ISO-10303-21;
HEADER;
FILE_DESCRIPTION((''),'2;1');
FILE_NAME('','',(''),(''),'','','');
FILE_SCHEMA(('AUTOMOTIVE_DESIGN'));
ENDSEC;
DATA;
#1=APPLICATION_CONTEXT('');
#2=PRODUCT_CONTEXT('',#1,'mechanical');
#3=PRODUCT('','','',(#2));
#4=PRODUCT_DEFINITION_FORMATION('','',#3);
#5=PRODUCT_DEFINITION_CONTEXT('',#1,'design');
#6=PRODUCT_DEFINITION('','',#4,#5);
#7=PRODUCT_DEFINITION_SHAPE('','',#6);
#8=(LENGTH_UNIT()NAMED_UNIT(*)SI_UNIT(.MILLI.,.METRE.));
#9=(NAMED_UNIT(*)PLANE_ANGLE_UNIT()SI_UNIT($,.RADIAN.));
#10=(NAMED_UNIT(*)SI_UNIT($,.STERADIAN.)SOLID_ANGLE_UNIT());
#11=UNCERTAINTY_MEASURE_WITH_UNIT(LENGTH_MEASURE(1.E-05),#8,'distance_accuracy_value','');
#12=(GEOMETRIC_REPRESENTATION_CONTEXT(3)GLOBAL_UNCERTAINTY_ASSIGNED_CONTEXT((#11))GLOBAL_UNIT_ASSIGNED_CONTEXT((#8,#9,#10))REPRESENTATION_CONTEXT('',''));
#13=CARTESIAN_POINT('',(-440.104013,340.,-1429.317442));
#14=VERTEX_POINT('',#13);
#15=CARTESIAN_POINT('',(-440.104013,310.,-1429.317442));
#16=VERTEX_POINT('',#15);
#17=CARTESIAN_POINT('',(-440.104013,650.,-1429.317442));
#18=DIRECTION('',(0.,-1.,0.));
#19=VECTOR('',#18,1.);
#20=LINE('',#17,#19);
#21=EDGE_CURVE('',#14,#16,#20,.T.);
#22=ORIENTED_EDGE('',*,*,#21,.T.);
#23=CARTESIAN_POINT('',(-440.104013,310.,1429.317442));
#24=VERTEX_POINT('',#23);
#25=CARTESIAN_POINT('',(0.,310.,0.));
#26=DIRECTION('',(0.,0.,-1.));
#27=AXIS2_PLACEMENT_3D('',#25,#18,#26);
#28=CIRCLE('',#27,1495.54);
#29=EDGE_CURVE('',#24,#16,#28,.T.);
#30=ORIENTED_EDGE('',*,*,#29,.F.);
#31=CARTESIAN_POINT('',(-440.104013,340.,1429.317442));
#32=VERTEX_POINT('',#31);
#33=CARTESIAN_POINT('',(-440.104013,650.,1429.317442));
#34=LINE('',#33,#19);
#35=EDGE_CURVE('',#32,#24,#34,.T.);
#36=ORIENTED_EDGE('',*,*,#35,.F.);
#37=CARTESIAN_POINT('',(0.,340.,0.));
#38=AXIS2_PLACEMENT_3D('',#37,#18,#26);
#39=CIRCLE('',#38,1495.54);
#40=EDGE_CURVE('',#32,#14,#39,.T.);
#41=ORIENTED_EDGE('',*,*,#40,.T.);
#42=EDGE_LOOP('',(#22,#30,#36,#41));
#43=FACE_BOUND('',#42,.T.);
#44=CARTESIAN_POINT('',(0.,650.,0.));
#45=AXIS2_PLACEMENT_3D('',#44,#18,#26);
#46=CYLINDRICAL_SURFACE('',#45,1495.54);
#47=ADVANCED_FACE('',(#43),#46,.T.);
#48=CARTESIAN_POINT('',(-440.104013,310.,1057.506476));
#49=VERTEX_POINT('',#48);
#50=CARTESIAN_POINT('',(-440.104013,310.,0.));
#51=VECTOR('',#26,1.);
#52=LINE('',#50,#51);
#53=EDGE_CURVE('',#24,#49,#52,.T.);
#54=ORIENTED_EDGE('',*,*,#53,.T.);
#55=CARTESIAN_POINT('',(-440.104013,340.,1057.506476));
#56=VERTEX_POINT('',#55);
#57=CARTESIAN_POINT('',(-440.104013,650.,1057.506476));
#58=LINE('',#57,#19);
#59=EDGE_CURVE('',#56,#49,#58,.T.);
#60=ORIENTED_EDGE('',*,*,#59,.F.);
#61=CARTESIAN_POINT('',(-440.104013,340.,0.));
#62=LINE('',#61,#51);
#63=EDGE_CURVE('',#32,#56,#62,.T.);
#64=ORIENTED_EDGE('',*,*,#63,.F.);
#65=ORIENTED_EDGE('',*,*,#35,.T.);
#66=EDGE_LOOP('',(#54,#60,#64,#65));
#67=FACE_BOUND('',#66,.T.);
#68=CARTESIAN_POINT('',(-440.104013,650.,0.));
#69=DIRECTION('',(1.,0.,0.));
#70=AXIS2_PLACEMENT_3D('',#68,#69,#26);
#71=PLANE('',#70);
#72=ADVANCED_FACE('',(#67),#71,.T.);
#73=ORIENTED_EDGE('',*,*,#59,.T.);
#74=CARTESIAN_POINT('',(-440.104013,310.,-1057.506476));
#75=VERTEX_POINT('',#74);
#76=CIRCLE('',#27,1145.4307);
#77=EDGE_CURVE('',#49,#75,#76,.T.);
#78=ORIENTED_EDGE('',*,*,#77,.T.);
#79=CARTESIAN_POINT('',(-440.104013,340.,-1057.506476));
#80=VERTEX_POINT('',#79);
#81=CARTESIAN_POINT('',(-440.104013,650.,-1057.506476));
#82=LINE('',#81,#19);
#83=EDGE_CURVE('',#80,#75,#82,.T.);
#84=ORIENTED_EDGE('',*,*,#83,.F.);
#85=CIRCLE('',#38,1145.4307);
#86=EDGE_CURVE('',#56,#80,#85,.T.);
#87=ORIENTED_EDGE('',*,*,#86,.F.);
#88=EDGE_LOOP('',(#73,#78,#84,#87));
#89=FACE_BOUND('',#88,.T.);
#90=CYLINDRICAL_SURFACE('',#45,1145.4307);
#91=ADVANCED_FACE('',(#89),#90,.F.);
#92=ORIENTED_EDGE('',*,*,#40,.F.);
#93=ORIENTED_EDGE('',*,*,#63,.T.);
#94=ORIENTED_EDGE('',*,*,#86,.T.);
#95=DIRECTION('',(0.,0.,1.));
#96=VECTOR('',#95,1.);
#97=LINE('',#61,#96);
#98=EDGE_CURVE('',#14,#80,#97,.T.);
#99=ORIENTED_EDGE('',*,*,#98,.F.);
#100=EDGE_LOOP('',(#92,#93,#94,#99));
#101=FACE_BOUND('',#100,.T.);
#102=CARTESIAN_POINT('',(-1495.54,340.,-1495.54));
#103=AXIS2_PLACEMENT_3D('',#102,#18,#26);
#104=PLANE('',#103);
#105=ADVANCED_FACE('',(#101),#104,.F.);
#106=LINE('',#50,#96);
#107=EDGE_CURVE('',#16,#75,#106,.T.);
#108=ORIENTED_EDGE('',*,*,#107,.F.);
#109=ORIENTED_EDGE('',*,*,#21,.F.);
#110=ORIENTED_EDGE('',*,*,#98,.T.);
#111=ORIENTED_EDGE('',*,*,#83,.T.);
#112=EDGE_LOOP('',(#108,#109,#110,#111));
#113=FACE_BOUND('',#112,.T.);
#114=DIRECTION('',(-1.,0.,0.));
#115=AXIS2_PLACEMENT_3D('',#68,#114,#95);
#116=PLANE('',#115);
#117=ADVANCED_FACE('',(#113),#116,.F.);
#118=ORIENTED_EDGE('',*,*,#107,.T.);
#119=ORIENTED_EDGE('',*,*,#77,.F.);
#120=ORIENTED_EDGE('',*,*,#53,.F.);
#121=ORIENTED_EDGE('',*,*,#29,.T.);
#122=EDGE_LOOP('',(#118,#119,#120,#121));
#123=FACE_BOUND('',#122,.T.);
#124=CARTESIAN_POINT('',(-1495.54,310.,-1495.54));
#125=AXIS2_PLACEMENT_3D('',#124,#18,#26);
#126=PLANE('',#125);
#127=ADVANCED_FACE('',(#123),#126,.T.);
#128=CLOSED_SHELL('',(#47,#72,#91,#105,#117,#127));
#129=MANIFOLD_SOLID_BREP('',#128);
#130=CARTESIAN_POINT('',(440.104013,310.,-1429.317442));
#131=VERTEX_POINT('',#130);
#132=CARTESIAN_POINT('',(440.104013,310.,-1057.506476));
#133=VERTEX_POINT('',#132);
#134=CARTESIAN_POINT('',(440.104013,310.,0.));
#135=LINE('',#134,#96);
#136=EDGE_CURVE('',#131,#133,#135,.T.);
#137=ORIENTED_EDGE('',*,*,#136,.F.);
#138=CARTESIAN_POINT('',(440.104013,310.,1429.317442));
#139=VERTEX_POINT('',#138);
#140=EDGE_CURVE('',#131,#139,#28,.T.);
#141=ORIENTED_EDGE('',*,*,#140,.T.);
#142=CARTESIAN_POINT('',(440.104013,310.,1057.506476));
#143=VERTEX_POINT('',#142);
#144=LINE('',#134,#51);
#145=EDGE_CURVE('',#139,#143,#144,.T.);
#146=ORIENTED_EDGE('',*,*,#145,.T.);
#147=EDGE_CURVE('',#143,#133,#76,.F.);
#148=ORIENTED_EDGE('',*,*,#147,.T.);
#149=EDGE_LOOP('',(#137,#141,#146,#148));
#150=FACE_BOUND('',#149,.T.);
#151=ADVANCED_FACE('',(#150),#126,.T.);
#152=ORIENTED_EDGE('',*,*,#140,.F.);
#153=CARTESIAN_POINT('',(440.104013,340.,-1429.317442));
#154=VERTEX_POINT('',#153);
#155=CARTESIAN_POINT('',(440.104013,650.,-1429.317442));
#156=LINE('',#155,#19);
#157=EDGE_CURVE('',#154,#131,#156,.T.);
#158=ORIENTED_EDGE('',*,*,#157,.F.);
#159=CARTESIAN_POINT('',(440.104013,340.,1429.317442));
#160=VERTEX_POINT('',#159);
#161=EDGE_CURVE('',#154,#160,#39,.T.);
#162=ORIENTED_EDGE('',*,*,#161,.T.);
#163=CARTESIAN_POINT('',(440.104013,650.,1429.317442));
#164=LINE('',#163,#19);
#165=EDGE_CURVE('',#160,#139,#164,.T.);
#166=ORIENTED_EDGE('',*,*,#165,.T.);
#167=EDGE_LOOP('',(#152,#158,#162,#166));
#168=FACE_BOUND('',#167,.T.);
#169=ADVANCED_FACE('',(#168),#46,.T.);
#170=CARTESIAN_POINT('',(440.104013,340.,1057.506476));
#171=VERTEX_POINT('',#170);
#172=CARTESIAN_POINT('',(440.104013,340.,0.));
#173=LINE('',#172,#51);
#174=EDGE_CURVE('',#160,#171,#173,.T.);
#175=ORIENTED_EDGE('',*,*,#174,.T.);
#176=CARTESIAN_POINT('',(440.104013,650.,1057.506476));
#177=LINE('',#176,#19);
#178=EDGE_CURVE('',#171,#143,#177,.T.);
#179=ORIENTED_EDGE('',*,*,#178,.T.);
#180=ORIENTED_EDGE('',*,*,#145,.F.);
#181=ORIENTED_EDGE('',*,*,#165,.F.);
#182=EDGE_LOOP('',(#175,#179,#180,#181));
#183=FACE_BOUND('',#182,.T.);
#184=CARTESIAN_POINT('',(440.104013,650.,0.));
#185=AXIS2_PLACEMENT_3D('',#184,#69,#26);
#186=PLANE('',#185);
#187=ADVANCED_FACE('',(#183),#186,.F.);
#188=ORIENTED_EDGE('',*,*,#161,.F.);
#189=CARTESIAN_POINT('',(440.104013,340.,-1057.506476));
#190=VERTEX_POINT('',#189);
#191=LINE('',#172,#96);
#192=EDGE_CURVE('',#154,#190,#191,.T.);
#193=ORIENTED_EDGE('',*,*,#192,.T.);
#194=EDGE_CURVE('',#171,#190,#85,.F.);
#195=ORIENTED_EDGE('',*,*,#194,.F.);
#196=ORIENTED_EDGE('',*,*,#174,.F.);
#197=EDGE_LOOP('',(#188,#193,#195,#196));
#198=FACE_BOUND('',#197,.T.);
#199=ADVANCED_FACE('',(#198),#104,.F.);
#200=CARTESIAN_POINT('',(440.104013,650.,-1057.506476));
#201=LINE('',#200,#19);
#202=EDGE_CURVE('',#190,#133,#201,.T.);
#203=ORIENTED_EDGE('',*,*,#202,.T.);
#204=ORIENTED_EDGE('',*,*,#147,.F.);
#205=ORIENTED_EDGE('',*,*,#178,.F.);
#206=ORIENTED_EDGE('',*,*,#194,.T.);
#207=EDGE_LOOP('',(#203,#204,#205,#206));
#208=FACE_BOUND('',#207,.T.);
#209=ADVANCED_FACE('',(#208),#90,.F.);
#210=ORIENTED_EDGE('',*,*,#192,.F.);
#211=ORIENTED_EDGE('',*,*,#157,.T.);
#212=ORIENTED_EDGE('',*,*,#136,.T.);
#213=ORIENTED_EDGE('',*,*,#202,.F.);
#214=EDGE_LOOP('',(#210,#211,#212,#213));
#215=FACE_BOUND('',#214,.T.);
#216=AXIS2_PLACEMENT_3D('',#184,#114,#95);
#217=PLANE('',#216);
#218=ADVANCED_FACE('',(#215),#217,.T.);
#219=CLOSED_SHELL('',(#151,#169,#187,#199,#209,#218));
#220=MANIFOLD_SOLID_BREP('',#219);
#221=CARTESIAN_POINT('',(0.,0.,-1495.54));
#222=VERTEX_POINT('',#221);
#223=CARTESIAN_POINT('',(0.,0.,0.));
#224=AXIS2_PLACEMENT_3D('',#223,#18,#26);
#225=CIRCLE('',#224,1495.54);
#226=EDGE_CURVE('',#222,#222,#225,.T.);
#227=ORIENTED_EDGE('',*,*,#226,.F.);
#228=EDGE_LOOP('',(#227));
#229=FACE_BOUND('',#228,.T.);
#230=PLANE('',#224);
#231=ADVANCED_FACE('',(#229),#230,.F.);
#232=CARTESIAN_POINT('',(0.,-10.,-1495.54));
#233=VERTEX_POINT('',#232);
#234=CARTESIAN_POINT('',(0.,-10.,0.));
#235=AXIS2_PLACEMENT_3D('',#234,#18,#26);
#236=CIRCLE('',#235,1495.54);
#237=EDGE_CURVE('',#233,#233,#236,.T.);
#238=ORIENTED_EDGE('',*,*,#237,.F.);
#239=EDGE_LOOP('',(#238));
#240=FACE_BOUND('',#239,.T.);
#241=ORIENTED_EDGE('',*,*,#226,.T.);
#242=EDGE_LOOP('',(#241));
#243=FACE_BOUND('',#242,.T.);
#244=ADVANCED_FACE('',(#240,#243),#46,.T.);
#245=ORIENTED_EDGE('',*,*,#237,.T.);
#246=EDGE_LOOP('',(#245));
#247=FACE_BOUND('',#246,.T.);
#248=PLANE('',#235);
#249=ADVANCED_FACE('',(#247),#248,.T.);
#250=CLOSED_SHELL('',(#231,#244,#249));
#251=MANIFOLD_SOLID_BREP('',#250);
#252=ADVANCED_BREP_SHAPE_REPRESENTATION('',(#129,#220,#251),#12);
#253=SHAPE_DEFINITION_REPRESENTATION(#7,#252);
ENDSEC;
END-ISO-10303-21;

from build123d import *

# Parameters (mm, degrees)
BOSS_EXTRUDE4_DEPTH     = 650
BOSS_EXTRUDE4_2_DEPTH   = 650
BOSS_EXTRUDE5_START     = 10
SKETCH3_R               = 1495.54
BOSS_EXTRUDE5_DEPTH     = 10
CUT_EXTRUDE1_DEPTH      = 2213.640906971
CUT_EXTRUDE1_DEPTH_BACK = 2213.640906971
SKETCH4_W               = 3005.574253275
SKETCH4_H               = 310
CUT_EXTRUDE2_DEPTH      = 2143.167076397
CUT_EXTRUDE2_DEPTH_BACK = 2143.167076397
SKETCH5_W               = 2991.08
SKETCH5_H               = 310


with BuildPart() as part:
    # Sketch1 → Boss-Extrude4 (new body)
    with BuildSketch(Plane(origin=(0, 0, 0), x_dir=(1, 0, 0), z_dir=(0, 1, 0))):
        with BuildLine():
            ThreePointArc((440.10401327, 1057.506475536), (1145.43069991, 0), (440.10401327, -1057.506475536))
            Line((440.10401327, -1057.506475536), (440.10401327, -1429.317441685))
            ThreePointArc((440.10401327, -1429.317441685), (1203.086249528, -888.382444557), (1495.54, 0))
            ThreePointArc((1495.54, 0), (1203.086249528, 888.382444557), (440.10401327, 1429.317441685))
            Line((440.10401327, 1429.317441685), (440.10401327, 1057.506475536))
        make_face()
    extrude(amount=BOSS_EXTRUDE4_DEPTH)



with BuildPart() as body_2:
    # Sketch1 → Boss-Extrude4 2 (new body)
    with BuildSketch(Plane(origin=(0, 0, 0), x_dir=(1, 0, 0), z_dir=(0, 1, 0))):
        with BuildLine():
            ThreePointArc((-440.10401327, 1429.317441685), (-1495.54, 0), (-440.10401327, -1429.317441685))
            Line((-440.10401327, -1429.317441685), (-440.10401327, -1057.506475536))
            ThreePointArc((-440.10401327, -1057.506475536), (-1145.43069991, 0), (-440.10401327, 1057.506475536))
            Line((-440.10401327, 1057.506475536), (-440.10401327, 1429.317441685))
        make_face()
    extrude(amount=BOSS_EXTRUDE4_2_DEPTH)


with BuildPart() as part_1:
    add(part.part)

    add(body_2.part)  # Boss-Extrude5 merges body 2
    # Sketch3 → Boss-Extrude5 (add)
    with BuildSketch(Plane.XZ.offset(BOSS_EXTRUDE5_START)):
        with Locations(Location((0, 0, 0), (0, 0, 270))):
            Circle(SKETCH3_R)
    extrude(amount=-BOSS_EXTRUDE5_DEPTH)

    # Sketch4 → Cut-Extrude1 (cut, two sides: drawn at the far end of the back side and taken through both)
    with BuildSketch(Plane.XY.offset(-CUT_EXTRUDE1_DEPTH_BACK)):
        with Locations((7.247126637, 495)):
            Rectangle(SKETCH4_W, SKETCH4_H)
    extrude(amount=CUT_EXTRUDE1_DEPTH + CUT_EXTRUDE1_DEPTH_BACK, mode=Mode.SUBTRACT)

    # Sketch5 → Cut-Extrude2 (cut, two sides: drawn at the far end of the back side and taken through both)
    with BuildSketch(Plane.XY.offset(-CUT_EXTRUDE2_DEPTH_BACK)):
        with Locations((0, 155)):
            Rectangle(SKETCH5_W, SKETCH5_H)
    extrude(amount=CUT_EXTRUDE2_DEPTH + CUT_EXTRUDE2_DEPTH_BACK, mode=Mode.SUBTRACT)


with BuildPart() as cut_extrude2_piece_1:
    # of the separate pieces the step leaves, piece 1, a body of its own (cut_extrude2_pieces)
    add(part_1.part.solids().sort_by_distance((0, -10, -1495.54))[0])


with BuildPart() as cut_extrude2_piece_2:
    # of the separate pieces the step leaves, piece 2, a body of its own (cut_extrude2_pieces)
    add(part_1.part.solids().sort_by_distance((440.10401327, 310, 1429.317441685))[0])


with BuildPart() as cut_extrude2_piece_3:
    # of the separate pieces the step leaves, piece 3, a body of its own (cut_extrude2_pieces)
    add(part_1.part.solids().sort_by_distance((-440.10401327, 310, -1429.317441685))[0])


solid = Compound([cut_extrude2_piece_1.part, cut_extrude2_piece_2.part, cut_extrude2_piece_3.part])
